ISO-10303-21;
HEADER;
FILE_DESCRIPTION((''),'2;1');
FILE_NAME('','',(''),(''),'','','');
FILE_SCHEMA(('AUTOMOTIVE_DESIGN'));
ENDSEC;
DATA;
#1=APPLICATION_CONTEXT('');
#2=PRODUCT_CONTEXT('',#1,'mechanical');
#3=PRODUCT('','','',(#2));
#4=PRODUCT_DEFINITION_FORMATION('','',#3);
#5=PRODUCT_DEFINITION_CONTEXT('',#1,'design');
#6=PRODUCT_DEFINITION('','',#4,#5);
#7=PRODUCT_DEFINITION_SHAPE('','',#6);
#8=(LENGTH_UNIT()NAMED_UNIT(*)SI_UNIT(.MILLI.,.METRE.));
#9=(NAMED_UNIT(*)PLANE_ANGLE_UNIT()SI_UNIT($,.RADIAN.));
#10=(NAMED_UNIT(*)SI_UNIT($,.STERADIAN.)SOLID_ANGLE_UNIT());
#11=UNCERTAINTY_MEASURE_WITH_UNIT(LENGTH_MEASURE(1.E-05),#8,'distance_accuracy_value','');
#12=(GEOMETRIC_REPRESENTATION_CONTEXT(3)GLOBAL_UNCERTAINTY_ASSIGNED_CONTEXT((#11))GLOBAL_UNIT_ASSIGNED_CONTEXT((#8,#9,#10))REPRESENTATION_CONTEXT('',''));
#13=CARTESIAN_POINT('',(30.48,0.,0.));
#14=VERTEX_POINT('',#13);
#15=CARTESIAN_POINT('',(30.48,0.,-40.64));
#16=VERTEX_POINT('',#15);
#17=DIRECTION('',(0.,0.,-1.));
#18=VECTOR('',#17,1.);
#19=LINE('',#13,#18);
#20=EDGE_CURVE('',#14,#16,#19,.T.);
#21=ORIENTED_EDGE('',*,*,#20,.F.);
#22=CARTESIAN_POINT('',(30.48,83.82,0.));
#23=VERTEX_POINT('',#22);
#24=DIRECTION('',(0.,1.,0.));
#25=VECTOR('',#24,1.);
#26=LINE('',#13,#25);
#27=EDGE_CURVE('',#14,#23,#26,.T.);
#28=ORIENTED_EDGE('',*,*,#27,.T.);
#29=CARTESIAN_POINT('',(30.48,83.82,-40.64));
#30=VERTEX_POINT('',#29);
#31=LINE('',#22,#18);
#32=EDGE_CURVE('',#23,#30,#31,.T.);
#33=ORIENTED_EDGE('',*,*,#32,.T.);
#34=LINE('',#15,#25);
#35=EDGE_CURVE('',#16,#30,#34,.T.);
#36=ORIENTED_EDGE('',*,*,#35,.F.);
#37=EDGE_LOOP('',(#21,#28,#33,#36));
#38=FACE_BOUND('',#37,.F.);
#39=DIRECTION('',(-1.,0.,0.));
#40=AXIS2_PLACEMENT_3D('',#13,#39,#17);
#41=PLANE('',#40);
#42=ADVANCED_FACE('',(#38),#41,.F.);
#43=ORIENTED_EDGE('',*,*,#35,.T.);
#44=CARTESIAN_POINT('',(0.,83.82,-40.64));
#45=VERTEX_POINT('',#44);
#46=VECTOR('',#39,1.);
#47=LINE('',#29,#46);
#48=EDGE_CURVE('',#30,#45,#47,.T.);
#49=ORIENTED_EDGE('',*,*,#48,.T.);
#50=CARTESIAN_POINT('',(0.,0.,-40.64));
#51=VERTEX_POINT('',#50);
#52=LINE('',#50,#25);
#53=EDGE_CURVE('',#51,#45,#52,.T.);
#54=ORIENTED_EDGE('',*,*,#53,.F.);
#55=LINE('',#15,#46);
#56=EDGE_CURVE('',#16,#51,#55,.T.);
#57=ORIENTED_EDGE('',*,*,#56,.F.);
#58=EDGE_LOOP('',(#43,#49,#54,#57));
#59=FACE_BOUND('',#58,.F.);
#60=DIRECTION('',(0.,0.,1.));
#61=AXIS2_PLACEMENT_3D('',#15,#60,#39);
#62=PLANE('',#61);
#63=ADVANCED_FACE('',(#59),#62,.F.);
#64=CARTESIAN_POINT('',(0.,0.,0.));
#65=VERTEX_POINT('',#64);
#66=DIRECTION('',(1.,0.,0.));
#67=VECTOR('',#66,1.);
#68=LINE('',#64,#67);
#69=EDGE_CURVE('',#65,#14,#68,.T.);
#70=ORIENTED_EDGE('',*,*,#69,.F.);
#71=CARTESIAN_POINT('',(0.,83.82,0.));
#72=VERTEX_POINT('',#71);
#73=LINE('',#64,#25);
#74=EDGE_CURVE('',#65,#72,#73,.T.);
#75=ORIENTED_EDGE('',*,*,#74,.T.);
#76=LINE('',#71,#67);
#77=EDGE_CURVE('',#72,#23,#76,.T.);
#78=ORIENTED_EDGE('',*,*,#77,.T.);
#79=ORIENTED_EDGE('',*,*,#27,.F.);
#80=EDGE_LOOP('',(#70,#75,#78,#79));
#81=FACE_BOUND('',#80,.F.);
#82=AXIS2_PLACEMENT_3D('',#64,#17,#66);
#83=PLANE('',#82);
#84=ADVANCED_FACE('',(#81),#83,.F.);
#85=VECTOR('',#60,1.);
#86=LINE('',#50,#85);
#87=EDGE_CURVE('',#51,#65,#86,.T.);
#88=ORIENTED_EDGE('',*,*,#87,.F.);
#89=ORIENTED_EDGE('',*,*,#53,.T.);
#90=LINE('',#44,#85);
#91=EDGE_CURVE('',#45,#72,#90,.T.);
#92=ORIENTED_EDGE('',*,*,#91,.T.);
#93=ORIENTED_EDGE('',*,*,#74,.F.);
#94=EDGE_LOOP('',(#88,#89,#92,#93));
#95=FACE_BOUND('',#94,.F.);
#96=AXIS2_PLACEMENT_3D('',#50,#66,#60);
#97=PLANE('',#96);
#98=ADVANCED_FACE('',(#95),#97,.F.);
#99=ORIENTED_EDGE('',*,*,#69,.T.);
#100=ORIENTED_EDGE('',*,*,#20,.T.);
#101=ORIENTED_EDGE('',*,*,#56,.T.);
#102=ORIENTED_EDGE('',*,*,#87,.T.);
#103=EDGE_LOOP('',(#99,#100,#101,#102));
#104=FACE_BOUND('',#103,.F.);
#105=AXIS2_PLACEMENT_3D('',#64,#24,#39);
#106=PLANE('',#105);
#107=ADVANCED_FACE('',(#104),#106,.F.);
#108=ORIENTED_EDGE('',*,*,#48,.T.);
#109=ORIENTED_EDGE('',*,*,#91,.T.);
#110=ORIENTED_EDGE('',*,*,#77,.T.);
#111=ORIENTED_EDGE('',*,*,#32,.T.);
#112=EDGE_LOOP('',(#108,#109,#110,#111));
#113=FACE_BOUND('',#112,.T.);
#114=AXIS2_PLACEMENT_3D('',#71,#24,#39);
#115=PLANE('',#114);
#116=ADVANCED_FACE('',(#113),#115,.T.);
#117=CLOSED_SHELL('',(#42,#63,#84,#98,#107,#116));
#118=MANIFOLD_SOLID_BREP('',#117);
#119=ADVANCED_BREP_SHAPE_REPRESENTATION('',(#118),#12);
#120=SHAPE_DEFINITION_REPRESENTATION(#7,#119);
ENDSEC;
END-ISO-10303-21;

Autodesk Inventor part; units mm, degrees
ref_plane "YZ Plane" through (0, 0, 0) normal (1, 0, 0) x (0, 1, 0)
ref_plane "XZ Plane" through (0, 0, 0) normal (0, 1, 0) x (-1, 0, 0)
ref_plane "XY Plane" through (0, 0, 0) normal (0, 0, 1) x (1, 0, 0)
sketch "Sketch1" plane through (0, 0, 0) normal (0, 1, 0) x (-1, 0, 0)
  line L0 (0, 0) -> (-30.48, 0)
  line L1 (-30.48, 0) -> (-30.48, -40.64)
  line L2 (-30.48, -40.64) -> (0, -40.64)
  line L3 (0, -40.64) -> (0, 0)
  dimension "d3" = 30.48
  dimension "d4" = 40.64
extrude "Extrusion2" add sketch "Sketch1" along normal blind 83.82
properties part number "Motor" material "Stainless Steel"
